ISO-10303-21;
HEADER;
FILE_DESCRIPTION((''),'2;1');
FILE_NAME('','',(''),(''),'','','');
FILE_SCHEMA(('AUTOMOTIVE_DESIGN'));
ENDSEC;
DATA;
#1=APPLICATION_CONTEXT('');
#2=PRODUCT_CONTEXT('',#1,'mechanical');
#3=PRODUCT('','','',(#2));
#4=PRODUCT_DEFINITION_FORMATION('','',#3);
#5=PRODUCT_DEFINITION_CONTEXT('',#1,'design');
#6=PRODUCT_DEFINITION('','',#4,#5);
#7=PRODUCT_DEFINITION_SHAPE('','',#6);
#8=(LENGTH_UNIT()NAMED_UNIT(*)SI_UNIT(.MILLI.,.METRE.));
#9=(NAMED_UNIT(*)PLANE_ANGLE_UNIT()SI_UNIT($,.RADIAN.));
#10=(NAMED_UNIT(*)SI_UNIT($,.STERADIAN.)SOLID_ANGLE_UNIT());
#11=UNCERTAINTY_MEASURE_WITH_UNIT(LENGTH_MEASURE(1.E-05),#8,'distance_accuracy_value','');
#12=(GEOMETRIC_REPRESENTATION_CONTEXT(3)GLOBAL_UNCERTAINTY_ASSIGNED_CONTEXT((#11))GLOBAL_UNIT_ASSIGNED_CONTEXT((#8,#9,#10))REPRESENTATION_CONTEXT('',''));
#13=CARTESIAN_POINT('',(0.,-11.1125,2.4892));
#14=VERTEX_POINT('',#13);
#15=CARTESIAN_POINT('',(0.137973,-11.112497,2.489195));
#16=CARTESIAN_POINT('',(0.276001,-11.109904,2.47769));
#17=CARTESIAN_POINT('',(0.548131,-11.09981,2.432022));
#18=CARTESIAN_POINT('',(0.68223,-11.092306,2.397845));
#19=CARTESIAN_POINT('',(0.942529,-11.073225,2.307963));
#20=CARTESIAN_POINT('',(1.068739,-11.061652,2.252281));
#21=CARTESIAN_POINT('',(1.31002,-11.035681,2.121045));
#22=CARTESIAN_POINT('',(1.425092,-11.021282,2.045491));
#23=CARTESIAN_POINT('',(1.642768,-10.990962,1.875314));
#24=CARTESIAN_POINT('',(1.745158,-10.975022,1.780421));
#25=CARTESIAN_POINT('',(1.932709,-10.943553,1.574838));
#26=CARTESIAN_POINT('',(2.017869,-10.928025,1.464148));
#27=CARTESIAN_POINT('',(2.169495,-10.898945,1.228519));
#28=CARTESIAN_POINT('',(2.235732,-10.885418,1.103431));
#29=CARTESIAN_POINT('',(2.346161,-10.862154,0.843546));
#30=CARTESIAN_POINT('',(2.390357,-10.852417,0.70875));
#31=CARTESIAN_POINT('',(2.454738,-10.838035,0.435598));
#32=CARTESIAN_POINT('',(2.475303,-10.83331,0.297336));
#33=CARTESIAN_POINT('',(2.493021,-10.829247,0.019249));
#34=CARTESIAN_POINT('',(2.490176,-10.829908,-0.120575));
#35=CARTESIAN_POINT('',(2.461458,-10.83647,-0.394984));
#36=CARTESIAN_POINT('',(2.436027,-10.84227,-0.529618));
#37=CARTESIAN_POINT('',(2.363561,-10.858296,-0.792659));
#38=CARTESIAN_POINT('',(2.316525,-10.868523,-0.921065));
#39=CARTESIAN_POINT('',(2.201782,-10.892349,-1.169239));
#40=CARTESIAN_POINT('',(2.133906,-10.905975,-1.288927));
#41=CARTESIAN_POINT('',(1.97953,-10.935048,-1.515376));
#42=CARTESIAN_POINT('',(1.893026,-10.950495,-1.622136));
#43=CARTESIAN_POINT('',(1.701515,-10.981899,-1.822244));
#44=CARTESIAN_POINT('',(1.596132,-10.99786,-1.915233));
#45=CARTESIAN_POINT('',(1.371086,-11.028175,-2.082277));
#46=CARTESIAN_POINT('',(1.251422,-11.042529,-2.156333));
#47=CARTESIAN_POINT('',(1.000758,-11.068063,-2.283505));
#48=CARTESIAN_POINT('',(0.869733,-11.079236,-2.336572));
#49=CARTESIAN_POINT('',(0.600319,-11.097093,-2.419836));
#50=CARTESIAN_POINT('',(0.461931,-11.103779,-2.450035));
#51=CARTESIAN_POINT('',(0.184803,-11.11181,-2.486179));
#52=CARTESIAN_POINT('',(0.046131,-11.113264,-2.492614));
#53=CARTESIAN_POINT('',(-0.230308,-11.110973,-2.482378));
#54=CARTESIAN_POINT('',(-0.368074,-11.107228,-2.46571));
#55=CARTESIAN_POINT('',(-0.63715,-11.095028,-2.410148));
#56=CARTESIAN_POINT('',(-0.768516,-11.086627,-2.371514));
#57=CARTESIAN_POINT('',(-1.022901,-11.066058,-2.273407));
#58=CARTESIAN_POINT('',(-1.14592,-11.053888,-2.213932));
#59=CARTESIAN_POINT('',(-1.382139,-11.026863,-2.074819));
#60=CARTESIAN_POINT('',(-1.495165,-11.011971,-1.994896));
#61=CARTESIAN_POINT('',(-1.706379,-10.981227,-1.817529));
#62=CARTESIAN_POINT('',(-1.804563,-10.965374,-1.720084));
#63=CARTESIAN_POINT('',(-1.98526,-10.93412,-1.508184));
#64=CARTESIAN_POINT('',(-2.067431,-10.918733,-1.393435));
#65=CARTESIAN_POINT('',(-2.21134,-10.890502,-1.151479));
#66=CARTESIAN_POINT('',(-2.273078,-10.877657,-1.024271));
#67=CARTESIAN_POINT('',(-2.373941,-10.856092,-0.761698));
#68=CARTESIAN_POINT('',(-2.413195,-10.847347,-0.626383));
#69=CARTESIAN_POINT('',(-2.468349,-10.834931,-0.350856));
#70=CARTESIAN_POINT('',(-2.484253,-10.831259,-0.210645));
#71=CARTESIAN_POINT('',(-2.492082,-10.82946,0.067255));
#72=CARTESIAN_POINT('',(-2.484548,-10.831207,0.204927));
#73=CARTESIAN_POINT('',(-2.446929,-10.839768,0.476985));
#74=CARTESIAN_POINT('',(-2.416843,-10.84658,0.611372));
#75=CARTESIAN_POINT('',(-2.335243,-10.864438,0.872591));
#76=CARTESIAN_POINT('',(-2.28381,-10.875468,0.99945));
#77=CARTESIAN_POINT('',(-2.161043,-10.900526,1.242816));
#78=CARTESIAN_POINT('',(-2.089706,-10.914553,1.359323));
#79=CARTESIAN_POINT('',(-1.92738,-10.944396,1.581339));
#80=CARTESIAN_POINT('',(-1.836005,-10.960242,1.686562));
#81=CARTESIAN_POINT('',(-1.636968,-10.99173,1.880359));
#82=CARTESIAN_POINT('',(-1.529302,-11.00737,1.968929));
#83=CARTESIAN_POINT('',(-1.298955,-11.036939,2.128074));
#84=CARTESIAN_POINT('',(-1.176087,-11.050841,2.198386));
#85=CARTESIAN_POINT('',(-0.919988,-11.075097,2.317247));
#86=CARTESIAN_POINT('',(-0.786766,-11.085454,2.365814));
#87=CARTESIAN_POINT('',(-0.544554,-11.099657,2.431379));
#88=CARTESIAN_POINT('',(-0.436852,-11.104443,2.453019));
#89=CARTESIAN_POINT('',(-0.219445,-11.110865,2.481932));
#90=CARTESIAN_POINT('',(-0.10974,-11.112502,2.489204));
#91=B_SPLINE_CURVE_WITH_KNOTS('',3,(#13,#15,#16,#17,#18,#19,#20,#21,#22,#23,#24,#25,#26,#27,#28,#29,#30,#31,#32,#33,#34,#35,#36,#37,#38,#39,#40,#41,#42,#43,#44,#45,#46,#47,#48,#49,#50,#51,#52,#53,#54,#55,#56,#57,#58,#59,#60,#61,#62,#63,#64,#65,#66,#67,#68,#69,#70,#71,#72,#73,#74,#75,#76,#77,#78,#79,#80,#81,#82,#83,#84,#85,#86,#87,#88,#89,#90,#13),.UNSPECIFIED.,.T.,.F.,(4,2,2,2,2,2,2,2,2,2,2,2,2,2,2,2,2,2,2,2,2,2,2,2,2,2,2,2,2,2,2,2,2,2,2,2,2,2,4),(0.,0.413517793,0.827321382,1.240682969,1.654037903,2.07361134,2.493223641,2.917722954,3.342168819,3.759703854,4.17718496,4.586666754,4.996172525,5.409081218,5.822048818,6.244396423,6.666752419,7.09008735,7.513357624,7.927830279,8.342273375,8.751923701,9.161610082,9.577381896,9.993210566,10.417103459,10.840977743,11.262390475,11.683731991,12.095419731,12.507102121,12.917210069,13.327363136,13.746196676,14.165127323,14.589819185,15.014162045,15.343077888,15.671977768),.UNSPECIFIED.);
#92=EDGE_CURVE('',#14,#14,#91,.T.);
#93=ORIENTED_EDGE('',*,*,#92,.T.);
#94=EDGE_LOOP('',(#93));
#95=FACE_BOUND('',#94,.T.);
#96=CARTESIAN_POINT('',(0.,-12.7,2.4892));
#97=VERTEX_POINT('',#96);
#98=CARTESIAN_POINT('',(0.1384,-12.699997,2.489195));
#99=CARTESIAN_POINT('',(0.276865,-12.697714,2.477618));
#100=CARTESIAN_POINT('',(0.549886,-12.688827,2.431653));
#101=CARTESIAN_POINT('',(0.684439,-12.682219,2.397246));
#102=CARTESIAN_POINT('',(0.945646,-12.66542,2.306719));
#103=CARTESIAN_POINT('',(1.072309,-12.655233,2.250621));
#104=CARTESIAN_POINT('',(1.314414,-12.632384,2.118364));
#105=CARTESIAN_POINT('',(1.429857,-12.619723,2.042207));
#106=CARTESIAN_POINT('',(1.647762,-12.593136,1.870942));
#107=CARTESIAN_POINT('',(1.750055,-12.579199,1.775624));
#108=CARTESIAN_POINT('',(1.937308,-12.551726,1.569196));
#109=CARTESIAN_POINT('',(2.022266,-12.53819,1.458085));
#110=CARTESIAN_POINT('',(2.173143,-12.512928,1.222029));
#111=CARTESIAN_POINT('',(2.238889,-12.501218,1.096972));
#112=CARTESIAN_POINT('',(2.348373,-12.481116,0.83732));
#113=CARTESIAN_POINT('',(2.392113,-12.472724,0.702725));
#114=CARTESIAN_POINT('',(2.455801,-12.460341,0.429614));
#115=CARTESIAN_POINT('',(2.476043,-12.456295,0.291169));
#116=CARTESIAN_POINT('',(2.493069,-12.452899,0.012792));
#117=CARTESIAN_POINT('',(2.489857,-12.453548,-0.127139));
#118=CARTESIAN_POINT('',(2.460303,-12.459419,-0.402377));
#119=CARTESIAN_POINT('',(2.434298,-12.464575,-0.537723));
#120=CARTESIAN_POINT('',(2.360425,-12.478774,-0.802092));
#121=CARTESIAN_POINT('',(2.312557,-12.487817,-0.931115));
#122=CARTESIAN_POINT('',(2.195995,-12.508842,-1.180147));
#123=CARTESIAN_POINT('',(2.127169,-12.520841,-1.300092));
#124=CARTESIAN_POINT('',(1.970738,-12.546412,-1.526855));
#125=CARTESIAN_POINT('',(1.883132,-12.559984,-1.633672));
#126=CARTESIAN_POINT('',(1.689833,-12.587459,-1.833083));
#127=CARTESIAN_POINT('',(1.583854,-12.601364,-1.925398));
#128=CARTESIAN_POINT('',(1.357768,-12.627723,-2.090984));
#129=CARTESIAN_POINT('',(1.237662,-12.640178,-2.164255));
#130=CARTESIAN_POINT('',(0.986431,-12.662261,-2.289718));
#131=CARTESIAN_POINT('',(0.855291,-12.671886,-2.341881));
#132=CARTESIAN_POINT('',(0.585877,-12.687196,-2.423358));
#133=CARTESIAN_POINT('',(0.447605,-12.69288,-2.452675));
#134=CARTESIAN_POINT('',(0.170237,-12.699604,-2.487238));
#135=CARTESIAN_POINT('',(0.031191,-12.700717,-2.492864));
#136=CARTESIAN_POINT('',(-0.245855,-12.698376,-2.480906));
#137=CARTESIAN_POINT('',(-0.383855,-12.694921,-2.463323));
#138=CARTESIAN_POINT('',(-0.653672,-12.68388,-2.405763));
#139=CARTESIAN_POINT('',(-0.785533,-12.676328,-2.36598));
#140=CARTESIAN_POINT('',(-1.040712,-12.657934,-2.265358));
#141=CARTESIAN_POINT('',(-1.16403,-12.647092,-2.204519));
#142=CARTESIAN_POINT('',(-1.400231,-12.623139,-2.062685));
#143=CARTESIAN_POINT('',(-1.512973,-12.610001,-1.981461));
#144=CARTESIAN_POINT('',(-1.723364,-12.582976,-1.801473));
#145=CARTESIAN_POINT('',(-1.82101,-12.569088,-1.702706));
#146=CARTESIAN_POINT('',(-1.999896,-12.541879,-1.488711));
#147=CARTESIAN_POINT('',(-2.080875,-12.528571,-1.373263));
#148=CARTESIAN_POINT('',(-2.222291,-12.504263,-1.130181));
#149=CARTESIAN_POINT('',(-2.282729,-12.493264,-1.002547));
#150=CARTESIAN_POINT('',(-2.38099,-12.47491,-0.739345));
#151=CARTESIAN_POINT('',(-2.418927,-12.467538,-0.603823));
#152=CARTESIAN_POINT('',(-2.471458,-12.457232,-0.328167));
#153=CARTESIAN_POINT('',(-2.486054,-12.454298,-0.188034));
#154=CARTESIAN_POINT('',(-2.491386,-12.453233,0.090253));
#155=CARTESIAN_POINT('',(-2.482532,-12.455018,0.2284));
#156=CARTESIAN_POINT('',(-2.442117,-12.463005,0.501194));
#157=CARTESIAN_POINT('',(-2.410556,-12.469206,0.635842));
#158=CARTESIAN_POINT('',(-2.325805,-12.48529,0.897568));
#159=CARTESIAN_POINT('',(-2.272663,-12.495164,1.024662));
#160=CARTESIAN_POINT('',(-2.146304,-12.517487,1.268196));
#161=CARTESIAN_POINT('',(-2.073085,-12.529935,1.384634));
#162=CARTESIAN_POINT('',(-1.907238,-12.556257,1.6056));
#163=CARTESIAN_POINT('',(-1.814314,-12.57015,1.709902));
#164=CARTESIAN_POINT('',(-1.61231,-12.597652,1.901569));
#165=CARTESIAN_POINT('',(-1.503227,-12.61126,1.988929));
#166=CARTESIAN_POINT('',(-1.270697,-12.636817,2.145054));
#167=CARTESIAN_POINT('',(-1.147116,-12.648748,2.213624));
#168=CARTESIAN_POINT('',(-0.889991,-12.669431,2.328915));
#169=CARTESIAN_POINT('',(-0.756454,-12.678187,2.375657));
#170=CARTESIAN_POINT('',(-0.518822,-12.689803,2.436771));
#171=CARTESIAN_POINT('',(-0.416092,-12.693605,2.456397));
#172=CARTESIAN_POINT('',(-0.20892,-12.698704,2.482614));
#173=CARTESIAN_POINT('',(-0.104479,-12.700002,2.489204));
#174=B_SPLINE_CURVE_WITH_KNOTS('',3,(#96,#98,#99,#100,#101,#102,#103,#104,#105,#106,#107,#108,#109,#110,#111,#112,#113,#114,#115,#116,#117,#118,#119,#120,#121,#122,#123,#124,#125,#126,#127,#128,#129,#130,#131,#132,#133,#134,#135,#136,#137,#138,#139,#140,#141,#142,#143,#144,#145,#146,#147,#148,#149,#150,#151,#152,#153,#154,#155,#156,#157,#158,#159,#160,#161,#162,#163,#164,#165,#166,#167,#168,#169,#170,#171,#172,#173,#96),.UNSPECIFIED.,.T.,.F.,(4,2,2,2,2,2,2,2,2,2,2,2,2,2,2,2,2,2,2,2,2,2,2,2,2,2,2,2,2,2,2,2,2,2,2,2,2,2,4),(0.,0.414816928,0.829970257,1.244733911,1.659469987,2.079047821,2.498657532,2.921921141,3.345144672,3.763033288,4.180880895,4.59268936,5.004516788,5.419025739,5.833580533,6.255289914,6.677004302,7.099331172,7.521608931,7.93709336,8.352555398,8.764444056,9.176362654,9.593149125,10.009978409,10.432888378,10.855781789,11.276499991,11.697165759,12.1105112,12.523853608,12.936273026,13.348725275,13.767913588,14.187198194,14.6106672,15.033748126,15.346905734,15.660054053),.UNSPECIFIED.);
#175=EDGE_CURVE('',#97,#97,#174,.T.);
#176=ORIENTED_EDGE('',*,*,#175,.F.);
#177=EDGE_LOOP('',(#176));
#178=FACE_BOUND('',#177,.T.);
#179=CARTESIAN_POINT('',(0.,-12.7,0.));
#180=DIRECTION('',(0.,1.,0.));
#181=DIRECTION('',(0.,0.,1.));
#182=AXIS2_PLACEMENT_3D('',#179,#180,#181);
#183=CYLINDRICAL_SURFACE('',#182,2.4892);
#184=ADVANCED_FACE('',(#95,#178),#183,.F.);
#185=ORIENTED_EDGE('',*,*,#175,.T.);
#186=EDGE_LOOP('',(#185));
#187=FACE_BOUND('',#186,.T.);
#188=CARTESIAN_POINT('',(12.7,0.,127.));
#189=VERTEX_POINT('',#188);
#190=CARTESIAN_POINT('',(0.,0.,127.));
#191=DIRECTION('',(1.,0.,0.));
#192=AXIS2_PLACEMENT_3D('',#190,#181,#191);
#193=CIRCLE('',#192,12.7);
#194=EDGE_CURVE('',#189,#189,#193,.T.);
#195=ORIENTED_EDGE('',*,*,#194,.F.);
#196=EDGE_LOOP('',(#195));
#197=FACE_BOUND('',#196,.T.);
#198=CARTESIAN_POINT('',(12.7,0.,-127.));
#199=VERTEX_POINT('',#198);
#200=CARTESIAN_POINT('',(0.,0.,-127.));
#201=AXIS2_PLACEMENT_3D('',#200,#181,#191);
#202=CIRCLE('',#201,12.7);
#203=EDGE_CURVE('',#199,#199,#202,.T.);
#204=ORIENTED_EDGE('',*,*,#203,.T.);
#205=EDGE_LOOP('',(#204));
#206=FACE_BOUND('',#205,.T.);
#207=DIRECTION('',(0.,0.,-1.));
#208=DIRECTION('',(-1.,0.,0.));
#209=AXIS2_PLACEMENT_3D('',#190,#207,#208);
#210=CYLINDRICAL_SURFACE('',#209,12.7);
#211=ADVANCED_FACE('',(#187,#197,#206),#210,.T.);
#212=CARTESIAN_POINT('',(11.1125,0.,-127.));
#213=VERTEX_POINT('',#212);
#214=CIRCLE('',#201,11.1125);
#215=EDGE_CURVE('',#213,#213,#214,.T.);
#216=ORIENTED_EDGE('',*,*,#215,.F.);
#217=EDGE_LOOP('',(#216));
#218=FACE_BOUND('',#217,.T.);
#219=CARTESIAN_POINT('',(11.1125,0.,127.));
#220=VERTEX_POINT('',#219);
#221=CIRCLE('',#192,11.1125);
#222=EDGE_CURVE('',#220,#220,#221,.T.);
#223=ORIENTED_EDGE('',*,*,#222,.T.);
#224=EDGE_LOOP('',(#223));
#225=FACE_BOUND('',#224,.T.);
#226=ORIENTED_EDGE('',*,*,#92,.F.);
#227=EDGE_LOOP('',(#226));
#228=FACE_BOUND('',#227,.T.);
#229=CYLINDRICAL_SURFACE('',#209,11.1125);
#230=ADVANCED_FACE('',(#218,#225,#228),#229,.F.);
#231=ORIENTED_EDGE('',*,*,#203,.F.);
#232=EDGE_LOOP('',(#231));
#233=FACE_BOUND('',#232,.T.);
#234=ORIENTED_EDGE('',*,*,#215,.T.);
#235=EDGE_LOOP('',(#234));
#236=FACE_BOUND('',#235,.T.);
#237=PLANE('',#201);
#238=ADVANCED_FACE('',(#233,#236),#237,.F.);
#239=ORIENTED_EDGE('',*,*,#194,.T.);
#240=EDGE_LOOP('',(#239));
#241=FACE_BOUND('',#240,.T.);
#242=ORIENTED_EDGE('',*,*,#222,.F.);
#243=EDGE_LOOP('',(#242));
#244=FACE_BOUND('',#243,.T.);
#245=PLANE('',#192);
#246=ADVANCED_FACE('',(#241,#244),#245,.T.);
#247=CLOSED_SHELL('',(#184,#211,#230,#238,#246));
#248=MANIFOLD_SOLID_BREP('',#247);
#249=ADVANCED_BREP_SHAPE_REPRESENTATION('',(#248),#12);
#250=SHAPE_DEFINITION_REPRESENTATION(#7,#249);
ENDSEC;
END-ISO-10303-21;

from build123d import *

# Parameters (mm, degrees)
SKETCH2_R           = 12.7
SKETCH2_R_2         = 11.1125
BOSS_EXTRUDE1_DEPTH = 127
SKETCH3_R           = 2.4892
CUT_EXTRUDE1_DEPTH  = 129.263712717


with BuildPart() as part:
    # Sketch2 → Boss-Extrude1 (new, symmetric)
    with BuildSketch(Plane.XY):
        Circle(SKETCH2_R)
        Circle(SKETCH2_R_2, mode=Mode.SUBTRACT)
    extrude(amount=BOSS_EXTRUDE1_DEPTH, both=True)

    # Sketch3 → Cut-Extrude1 (cut, through all)
    with BuildSketch(Plane(origin=(0, 0, 0), x_dir=(1, 0, 0), z_dir=(0, 1, 0))):
        with Locations(Location((0, 0, 0), (0, 0, 270))):
            Circle(SKETCH3_R)
    extrude(amount=-CUT_EXTRUDE1_DEPTH, mode=Mode.SUBTRACT)


solid = part.part
